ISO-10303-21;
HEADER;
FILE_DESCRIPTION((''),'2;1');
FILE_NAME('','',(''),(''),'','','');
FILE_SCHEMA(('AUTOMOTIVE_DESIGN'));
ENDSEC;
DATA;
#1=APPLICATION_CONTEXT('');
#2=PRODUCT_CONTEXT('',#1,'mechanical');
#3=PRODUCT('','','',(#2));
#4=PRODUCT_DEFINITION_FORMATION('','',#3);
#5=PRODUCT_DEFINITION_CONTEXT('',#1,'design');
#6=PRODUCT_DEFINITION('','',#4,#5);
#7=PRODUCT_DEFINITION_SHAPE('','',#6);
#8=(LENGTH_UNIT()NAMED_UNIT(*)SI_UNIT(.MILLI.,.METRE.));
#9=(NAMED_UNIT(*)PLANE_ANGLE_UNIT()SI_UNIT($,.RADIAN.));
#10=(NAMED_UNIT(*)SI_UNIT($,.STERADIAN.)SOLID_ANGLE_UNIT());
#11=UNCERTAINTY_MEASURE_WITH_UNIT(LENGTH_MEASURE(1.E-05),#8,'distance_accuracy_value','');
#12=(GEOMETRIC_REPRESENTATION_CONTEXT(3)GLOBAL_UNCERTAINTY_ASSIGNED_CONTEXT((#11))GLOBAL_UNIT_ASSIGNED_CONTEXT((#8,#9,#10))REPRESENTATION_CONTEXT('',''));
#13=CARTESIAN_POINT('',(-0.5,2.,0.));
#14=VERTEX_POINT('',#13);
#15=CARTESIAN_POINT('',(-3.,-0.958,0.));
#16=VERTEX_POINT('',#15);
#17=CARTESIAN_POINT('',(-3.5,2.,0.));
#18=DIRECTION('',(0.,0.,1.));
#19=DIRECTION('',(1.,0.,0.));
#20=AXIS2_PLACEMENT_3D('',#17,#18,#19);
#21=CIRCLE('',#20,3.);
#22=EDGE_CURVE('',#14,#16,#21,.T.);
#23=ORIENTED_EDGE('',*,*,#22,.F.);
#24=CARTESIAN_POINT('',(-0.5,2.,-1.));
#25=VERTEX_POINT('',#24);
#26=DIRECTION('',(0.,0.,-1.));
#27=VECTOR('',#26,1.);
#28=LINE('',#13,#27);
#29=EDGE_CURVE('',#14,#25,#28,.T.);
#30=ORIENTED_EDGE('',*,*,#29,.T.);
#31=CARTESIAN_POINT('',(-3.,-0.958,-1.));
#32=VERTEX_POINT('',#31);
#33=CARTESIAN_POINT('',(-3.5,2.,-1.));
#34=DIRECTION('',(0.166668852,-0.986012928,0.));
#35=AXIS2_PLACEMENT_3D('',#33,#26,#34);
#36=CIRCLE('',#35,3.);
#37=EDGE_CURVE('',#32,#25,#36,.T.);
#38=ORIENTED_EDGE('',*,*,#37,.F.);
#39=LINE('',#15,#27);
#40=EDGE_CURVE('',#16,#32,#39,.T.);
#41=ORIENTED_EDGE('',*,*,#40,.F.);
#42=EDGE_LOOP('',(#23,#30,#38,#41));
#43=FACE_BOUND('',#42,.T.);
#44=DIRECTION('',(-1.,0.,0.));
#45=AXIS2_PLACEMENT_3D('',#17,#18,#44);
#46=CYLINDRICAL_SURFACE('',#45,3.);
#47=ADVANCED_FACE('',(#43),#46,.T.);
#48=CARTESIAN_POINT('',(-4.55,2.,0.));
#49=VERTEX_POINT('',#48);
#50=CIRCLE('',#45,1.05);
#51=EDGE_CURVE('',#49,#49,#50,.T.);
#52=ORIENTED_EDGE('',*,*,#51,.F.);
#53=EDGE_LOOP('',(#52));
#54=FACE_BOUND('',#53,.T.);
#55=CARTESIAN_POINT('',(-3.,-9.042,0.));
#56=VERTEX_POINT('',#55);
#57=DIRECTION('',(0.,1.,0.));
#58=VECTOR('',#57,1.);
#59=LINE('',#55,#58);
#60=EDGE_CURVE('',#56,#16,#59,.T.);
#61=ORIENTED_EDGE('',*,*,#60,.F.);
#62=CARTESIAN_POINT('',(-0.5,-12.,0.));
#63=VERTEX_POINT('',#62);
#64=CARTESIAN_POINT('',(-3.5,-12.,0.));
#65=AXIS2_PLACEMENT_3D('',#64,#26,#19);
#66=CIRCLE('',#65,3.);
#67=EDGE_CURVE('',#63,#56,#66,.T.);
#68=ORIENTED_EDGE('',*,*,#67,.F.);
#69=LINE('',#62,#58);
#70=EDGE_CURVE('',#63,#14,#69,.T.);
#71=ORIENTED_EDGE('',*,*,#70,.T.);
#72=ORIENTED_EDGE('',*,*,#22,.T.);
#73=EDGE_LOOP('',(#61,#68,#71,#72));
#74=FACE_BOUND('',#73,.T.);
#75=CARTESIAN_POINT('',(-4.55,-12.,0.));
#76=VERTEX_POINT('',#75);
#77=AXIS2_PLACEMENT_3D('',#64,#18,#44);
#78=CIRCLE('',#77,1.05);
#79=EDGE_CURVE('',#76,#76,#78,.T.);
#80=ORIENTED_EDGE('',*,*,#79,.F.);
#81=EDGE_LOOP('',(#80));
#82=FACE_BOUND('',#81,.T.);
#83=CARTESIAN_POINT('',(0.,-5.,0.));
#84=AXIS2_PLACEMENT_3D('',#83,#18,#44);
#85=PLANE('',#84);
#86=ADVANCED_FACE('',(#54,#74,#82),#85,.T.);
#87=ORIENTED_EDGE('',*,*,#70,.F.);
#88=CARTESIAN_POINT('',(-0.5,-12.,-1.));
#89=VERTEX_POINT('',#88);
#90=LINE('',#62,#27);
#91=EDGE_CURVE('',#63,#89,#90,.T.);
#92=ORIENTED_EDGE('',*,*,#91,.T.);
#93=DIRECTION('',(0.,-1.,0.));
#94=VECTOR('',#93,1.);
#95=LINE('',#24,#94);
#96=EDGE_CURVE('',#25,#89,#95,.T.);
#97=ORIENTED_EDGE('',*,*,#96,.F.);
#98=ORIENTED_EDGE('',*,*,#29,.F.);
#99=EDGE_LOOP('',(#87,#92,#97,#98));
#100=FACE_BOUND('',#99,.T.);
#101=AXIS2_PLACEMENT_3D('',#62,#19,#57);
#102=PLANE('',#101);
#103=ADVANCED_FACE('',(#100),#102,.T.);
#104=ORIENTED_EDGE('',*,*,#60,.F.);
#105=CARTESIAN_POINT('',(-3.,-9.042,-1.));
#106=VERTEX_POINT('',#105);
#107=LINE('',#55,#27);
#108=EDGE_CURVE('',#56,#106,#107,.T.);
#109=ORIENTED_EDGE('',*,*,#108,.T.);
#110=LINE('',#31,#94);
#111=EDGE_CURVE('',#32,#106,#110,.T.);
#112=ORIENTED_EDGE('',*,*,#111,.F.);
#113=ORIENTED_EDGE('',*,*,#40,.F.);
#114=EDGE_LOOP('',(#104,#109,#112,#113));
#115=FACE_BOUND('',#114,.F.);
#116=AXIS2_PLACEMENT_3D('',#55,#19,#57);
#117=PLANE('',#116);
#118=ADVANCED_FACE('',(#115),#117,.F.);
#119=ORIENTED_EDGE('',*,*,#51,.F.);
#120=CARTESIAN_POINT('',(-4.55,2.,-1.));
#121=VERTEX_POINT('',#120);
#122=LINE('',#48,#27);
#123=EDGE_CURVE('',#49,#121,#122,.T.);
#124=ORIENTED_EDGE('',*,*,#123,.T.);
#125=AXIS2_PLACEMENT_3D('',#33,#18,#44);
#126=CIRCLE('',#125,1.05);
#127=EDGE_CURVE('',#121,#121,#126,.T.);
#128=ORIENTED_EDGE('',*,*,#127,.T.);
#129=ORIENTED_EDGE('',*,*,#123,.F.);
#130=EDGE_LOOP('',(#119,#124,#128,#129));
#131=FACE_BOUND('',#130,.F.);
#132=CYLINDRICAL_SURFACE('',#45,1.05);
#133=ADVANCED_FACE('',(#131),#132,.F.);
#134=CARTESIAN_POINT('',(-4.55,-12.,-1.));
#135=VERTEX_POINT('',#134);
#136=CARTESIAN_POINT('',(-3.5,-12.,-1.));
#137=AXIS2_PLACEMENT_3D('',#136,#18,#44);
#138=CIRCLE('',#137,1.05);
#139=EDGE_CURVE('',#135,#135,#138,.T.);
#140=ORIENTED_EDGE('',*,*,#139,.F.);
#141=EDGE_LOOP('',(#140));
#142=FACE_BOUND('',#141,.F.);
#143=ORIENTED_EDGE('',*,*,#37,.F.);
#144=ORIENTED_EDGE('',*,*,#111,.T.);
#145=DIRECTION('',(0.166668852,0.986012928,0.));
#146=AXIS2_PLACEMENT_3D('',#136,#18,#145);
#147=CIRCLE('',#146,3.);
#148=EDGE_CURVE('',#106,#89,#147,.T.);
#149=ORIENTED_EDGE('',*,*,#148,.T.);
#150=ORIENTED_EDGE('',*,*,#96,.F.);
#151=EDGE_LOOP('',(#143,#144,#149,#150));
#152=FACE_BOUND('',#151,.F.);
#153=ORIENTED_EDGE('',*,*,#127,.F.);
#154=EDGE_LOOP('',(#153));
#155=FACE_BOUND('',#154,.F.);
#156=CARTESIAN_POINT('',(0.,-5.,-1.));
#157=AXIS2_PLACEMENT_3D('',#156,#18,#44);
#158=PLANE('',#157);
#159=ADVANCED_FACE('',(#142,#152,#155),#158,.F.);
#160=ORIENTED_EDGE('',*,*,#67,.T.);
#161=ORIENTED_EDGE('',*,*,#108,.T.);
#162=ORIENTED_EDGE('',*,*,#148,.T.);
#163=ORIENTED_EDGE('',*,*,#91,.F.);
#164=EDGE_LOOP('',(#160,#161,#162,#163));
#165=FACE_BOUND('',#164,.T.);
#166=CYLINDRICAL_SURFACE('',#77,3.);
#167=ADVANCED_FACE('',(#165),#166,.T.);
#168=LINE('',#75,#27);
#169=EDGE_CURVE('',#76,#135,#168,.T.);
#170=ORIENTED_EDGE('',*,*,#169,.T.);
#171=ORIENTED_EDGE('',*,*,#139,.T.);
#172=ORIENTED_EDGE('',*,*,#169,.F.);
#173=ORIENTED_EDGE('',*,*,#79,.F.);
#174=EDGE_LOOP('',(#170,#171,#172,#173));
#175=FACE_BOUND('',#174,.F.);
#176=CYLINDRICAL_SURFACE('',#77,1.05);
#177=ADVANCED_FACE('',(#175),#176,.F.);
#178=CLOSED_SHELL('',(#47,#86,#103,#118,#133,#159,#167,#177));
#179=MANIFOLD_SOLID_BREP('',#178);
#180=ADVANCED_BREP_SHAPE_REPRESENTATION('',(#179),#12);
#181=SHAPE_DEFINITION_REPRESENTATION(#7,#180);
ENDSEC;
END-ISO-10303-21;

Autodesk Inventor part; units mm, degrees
ref_plane "YZ Plane" through (0, 0, 0) normal (1, 0, 0) x (0, 1, 0)
ref_plane "XZ Plane" through (0, 0, 0) normal (0, 1, 0) x (-1, 0, 0)
ref_plane "XY Plane" through (0, 0, 0) normal (0, 0, 1) x (1, 0, 0)
ref_plane "Work Plane1" through (0, -5, 0) normal (0, 0, 1) x (-1, 0, 0)
sketch "Sketch1" plane through (0, -5, 0) normal (0, 0, 1) x (-1, 0, 0)
  circle A0 centre (3.5, 7) radius 1.05 projected
  circle A1 centre (3.5, 7) radius 3
  line L0 (-13.6, 0) -> (11.6, 0)
  circle A2 centre (3.5, -7) radius 1.05
  circle A3 centre (3.5, -7) radius 3
  line L1 (0.5, 7) -> (0.5, -7)
  line L2 (3.5, 7) -> (0.5, 7) construction
  line L3 (3, 4.042) -> (3, -4.042)
  point P0 (0, -5)
  dimension "d0" = 6
  dimension "d3" = 2.5
extrude "Extrusion1" add sketch "Sketch1" against normal blind 1
properties part number "Encoder_Mount3_Washer"
